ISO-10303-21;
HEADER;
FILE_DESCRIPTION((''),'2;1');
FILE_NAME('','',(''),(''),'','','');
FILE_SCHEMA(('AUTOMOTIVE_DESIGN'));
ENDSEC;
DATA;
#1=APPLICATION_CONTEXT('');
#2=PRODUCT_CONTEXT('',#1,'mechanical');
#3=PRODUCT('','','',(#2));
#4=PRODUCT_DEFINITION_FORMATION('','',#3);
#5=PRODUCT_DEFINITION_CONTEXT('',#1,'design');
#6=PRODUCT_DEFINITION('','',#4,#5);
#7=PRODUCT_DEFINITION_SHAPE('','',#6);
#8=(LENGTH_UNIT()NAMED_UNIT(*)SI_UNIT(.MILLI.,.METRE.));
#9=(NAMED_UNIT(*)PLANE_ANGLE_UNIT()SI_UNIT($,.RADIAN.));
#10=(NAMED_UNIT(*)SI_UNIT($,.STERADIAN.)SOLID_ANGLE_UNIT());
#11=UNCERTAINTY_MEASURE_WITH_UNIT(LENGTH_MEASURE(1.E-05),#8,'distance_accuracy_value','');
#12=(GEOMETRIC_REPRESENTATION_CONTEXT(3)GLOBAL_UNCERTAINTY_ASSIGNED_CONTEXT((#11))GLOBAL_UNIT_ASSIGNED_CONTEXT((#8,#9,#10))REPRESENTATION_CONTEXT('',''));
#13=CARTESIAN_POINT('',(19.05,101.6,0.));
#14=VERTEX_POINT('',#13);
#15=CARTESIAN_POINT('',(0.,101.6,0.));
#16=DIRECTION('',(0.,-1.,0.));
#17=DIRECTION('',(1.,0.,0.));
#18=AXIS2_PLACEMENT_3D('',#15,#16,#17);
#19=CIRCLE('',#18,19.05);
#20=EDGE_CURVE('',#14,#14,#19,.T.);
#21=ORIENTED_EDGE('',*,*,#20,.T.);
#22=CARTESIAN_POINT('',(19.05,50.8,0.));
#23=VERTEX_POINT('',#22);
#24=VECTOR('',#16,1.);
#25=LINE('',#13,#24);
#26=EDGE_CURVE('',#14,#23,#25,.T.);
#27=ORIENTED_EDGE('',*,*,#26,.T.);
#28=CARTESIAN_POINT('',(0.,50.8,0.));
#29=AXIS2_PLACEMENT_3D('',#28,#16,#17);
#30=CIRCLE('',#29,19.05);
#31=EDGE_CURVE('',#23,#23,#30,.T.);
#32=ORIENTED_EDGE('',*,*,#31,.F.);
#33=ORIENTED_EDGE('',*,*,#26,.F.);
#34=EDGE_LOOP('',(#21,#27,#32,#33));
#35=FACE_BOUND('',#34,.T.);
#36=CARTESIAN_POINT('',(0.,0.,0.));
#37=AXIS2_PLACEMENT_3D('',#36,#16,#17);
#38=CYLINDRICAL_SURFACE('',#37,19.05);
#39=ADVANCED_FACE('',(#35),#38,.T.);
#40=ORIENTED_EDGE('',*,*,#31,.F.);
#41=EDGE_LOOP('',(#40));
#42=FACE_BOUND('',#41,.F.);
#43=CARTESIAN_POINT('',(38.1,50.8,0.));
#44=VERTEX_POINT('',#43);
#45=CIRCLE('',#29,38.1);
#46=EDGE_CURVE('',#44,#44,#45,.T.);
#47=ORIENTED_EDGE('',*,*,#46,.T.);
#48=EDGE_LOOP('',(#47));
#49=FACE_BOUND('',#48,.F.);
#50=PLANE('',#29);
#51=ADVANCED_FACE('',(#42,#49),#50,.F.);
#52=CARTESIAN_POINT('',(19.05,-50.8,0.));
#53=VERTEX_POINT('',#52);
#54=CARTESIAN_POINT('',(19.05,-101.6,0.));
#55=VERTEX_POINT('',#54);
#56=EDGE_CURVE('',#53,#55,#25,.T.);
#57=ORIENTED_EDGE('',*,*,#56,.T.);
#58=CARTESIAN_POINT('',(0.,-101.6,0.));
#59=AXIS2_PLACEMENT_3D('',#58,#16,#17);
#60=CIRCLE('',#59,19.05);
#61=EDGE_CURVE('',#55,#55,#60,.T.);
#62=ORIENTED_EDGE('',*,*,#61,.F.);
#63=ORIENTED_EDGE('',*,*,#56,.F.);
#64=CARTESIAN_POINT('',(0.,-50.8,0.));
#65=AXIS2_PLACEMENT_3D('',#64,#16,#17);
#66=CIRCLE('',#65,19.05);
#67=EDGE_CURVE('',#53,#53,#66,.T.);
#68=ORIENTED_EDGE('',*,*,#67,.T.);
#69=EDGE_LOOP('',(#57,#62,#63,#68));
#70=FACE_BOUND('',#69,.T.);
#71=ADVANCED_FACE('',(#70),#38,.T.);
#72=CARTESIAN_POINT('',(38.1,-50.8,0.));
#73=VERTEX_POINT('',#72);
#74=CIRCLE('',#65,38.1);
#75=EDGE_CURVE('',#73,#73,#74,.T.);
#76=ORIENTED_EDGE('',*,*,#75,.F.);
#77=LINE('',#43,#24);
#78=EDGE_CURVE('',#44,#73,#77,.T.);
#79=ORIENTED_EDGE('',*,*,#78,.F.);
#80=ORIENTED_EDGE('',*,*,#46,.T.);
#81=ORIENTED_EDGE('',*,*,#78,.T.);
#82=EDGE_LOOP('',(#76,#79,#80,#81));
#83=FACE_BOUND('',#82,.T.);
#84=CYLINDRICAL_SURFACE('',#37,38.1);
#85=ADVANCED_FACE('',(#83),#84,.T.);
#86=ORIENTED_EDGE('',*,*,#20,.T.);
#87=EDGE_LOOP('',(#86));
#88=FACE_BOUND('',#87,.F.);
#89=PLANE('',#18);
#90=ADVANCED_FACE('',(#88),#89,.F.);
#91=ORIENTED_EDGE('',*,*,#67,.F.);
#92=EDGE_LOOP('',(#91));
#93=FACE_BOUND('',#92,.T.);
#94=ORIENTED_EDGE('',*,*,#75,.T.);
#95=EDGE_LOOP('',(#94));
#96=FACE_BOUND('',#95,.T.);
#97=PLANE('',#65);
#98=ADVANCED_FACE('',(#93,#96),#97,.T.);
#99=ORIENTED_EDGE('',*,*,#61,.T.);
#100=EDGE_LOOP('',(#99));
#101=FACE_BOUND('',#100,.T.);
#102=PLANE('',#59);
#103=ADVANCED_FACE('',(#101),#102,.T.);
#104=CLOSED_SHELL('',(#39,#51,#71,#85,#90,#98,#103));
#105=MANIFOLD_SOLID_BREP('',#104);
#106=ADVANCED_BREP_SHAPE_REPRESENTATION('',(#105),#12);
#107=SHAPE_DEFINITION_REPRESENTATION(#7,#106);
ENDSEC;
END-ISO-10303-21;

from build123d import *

# Parameters (mm, degrees)
F1_R     = 19.05
F2_DEPTH = 101.6
F0_R     = 38.1
F3_DEPTH = 50.8


with BuildPart() as f2:
    # F1 (on Front) → F2 (new body, symmetric)
    with BuildSketch(Plane.XZ):
        Circle(F1_R)
    extrude(amount=F2_DEPTH, both=True)

    # F0 (on Front) → F3 (join, symmetric)
    with BuildSketch(Plane.XZ):
        Circle(F0_R)
    extrude(amount=F3_DEPTH, both=True)


solid = f2.part
